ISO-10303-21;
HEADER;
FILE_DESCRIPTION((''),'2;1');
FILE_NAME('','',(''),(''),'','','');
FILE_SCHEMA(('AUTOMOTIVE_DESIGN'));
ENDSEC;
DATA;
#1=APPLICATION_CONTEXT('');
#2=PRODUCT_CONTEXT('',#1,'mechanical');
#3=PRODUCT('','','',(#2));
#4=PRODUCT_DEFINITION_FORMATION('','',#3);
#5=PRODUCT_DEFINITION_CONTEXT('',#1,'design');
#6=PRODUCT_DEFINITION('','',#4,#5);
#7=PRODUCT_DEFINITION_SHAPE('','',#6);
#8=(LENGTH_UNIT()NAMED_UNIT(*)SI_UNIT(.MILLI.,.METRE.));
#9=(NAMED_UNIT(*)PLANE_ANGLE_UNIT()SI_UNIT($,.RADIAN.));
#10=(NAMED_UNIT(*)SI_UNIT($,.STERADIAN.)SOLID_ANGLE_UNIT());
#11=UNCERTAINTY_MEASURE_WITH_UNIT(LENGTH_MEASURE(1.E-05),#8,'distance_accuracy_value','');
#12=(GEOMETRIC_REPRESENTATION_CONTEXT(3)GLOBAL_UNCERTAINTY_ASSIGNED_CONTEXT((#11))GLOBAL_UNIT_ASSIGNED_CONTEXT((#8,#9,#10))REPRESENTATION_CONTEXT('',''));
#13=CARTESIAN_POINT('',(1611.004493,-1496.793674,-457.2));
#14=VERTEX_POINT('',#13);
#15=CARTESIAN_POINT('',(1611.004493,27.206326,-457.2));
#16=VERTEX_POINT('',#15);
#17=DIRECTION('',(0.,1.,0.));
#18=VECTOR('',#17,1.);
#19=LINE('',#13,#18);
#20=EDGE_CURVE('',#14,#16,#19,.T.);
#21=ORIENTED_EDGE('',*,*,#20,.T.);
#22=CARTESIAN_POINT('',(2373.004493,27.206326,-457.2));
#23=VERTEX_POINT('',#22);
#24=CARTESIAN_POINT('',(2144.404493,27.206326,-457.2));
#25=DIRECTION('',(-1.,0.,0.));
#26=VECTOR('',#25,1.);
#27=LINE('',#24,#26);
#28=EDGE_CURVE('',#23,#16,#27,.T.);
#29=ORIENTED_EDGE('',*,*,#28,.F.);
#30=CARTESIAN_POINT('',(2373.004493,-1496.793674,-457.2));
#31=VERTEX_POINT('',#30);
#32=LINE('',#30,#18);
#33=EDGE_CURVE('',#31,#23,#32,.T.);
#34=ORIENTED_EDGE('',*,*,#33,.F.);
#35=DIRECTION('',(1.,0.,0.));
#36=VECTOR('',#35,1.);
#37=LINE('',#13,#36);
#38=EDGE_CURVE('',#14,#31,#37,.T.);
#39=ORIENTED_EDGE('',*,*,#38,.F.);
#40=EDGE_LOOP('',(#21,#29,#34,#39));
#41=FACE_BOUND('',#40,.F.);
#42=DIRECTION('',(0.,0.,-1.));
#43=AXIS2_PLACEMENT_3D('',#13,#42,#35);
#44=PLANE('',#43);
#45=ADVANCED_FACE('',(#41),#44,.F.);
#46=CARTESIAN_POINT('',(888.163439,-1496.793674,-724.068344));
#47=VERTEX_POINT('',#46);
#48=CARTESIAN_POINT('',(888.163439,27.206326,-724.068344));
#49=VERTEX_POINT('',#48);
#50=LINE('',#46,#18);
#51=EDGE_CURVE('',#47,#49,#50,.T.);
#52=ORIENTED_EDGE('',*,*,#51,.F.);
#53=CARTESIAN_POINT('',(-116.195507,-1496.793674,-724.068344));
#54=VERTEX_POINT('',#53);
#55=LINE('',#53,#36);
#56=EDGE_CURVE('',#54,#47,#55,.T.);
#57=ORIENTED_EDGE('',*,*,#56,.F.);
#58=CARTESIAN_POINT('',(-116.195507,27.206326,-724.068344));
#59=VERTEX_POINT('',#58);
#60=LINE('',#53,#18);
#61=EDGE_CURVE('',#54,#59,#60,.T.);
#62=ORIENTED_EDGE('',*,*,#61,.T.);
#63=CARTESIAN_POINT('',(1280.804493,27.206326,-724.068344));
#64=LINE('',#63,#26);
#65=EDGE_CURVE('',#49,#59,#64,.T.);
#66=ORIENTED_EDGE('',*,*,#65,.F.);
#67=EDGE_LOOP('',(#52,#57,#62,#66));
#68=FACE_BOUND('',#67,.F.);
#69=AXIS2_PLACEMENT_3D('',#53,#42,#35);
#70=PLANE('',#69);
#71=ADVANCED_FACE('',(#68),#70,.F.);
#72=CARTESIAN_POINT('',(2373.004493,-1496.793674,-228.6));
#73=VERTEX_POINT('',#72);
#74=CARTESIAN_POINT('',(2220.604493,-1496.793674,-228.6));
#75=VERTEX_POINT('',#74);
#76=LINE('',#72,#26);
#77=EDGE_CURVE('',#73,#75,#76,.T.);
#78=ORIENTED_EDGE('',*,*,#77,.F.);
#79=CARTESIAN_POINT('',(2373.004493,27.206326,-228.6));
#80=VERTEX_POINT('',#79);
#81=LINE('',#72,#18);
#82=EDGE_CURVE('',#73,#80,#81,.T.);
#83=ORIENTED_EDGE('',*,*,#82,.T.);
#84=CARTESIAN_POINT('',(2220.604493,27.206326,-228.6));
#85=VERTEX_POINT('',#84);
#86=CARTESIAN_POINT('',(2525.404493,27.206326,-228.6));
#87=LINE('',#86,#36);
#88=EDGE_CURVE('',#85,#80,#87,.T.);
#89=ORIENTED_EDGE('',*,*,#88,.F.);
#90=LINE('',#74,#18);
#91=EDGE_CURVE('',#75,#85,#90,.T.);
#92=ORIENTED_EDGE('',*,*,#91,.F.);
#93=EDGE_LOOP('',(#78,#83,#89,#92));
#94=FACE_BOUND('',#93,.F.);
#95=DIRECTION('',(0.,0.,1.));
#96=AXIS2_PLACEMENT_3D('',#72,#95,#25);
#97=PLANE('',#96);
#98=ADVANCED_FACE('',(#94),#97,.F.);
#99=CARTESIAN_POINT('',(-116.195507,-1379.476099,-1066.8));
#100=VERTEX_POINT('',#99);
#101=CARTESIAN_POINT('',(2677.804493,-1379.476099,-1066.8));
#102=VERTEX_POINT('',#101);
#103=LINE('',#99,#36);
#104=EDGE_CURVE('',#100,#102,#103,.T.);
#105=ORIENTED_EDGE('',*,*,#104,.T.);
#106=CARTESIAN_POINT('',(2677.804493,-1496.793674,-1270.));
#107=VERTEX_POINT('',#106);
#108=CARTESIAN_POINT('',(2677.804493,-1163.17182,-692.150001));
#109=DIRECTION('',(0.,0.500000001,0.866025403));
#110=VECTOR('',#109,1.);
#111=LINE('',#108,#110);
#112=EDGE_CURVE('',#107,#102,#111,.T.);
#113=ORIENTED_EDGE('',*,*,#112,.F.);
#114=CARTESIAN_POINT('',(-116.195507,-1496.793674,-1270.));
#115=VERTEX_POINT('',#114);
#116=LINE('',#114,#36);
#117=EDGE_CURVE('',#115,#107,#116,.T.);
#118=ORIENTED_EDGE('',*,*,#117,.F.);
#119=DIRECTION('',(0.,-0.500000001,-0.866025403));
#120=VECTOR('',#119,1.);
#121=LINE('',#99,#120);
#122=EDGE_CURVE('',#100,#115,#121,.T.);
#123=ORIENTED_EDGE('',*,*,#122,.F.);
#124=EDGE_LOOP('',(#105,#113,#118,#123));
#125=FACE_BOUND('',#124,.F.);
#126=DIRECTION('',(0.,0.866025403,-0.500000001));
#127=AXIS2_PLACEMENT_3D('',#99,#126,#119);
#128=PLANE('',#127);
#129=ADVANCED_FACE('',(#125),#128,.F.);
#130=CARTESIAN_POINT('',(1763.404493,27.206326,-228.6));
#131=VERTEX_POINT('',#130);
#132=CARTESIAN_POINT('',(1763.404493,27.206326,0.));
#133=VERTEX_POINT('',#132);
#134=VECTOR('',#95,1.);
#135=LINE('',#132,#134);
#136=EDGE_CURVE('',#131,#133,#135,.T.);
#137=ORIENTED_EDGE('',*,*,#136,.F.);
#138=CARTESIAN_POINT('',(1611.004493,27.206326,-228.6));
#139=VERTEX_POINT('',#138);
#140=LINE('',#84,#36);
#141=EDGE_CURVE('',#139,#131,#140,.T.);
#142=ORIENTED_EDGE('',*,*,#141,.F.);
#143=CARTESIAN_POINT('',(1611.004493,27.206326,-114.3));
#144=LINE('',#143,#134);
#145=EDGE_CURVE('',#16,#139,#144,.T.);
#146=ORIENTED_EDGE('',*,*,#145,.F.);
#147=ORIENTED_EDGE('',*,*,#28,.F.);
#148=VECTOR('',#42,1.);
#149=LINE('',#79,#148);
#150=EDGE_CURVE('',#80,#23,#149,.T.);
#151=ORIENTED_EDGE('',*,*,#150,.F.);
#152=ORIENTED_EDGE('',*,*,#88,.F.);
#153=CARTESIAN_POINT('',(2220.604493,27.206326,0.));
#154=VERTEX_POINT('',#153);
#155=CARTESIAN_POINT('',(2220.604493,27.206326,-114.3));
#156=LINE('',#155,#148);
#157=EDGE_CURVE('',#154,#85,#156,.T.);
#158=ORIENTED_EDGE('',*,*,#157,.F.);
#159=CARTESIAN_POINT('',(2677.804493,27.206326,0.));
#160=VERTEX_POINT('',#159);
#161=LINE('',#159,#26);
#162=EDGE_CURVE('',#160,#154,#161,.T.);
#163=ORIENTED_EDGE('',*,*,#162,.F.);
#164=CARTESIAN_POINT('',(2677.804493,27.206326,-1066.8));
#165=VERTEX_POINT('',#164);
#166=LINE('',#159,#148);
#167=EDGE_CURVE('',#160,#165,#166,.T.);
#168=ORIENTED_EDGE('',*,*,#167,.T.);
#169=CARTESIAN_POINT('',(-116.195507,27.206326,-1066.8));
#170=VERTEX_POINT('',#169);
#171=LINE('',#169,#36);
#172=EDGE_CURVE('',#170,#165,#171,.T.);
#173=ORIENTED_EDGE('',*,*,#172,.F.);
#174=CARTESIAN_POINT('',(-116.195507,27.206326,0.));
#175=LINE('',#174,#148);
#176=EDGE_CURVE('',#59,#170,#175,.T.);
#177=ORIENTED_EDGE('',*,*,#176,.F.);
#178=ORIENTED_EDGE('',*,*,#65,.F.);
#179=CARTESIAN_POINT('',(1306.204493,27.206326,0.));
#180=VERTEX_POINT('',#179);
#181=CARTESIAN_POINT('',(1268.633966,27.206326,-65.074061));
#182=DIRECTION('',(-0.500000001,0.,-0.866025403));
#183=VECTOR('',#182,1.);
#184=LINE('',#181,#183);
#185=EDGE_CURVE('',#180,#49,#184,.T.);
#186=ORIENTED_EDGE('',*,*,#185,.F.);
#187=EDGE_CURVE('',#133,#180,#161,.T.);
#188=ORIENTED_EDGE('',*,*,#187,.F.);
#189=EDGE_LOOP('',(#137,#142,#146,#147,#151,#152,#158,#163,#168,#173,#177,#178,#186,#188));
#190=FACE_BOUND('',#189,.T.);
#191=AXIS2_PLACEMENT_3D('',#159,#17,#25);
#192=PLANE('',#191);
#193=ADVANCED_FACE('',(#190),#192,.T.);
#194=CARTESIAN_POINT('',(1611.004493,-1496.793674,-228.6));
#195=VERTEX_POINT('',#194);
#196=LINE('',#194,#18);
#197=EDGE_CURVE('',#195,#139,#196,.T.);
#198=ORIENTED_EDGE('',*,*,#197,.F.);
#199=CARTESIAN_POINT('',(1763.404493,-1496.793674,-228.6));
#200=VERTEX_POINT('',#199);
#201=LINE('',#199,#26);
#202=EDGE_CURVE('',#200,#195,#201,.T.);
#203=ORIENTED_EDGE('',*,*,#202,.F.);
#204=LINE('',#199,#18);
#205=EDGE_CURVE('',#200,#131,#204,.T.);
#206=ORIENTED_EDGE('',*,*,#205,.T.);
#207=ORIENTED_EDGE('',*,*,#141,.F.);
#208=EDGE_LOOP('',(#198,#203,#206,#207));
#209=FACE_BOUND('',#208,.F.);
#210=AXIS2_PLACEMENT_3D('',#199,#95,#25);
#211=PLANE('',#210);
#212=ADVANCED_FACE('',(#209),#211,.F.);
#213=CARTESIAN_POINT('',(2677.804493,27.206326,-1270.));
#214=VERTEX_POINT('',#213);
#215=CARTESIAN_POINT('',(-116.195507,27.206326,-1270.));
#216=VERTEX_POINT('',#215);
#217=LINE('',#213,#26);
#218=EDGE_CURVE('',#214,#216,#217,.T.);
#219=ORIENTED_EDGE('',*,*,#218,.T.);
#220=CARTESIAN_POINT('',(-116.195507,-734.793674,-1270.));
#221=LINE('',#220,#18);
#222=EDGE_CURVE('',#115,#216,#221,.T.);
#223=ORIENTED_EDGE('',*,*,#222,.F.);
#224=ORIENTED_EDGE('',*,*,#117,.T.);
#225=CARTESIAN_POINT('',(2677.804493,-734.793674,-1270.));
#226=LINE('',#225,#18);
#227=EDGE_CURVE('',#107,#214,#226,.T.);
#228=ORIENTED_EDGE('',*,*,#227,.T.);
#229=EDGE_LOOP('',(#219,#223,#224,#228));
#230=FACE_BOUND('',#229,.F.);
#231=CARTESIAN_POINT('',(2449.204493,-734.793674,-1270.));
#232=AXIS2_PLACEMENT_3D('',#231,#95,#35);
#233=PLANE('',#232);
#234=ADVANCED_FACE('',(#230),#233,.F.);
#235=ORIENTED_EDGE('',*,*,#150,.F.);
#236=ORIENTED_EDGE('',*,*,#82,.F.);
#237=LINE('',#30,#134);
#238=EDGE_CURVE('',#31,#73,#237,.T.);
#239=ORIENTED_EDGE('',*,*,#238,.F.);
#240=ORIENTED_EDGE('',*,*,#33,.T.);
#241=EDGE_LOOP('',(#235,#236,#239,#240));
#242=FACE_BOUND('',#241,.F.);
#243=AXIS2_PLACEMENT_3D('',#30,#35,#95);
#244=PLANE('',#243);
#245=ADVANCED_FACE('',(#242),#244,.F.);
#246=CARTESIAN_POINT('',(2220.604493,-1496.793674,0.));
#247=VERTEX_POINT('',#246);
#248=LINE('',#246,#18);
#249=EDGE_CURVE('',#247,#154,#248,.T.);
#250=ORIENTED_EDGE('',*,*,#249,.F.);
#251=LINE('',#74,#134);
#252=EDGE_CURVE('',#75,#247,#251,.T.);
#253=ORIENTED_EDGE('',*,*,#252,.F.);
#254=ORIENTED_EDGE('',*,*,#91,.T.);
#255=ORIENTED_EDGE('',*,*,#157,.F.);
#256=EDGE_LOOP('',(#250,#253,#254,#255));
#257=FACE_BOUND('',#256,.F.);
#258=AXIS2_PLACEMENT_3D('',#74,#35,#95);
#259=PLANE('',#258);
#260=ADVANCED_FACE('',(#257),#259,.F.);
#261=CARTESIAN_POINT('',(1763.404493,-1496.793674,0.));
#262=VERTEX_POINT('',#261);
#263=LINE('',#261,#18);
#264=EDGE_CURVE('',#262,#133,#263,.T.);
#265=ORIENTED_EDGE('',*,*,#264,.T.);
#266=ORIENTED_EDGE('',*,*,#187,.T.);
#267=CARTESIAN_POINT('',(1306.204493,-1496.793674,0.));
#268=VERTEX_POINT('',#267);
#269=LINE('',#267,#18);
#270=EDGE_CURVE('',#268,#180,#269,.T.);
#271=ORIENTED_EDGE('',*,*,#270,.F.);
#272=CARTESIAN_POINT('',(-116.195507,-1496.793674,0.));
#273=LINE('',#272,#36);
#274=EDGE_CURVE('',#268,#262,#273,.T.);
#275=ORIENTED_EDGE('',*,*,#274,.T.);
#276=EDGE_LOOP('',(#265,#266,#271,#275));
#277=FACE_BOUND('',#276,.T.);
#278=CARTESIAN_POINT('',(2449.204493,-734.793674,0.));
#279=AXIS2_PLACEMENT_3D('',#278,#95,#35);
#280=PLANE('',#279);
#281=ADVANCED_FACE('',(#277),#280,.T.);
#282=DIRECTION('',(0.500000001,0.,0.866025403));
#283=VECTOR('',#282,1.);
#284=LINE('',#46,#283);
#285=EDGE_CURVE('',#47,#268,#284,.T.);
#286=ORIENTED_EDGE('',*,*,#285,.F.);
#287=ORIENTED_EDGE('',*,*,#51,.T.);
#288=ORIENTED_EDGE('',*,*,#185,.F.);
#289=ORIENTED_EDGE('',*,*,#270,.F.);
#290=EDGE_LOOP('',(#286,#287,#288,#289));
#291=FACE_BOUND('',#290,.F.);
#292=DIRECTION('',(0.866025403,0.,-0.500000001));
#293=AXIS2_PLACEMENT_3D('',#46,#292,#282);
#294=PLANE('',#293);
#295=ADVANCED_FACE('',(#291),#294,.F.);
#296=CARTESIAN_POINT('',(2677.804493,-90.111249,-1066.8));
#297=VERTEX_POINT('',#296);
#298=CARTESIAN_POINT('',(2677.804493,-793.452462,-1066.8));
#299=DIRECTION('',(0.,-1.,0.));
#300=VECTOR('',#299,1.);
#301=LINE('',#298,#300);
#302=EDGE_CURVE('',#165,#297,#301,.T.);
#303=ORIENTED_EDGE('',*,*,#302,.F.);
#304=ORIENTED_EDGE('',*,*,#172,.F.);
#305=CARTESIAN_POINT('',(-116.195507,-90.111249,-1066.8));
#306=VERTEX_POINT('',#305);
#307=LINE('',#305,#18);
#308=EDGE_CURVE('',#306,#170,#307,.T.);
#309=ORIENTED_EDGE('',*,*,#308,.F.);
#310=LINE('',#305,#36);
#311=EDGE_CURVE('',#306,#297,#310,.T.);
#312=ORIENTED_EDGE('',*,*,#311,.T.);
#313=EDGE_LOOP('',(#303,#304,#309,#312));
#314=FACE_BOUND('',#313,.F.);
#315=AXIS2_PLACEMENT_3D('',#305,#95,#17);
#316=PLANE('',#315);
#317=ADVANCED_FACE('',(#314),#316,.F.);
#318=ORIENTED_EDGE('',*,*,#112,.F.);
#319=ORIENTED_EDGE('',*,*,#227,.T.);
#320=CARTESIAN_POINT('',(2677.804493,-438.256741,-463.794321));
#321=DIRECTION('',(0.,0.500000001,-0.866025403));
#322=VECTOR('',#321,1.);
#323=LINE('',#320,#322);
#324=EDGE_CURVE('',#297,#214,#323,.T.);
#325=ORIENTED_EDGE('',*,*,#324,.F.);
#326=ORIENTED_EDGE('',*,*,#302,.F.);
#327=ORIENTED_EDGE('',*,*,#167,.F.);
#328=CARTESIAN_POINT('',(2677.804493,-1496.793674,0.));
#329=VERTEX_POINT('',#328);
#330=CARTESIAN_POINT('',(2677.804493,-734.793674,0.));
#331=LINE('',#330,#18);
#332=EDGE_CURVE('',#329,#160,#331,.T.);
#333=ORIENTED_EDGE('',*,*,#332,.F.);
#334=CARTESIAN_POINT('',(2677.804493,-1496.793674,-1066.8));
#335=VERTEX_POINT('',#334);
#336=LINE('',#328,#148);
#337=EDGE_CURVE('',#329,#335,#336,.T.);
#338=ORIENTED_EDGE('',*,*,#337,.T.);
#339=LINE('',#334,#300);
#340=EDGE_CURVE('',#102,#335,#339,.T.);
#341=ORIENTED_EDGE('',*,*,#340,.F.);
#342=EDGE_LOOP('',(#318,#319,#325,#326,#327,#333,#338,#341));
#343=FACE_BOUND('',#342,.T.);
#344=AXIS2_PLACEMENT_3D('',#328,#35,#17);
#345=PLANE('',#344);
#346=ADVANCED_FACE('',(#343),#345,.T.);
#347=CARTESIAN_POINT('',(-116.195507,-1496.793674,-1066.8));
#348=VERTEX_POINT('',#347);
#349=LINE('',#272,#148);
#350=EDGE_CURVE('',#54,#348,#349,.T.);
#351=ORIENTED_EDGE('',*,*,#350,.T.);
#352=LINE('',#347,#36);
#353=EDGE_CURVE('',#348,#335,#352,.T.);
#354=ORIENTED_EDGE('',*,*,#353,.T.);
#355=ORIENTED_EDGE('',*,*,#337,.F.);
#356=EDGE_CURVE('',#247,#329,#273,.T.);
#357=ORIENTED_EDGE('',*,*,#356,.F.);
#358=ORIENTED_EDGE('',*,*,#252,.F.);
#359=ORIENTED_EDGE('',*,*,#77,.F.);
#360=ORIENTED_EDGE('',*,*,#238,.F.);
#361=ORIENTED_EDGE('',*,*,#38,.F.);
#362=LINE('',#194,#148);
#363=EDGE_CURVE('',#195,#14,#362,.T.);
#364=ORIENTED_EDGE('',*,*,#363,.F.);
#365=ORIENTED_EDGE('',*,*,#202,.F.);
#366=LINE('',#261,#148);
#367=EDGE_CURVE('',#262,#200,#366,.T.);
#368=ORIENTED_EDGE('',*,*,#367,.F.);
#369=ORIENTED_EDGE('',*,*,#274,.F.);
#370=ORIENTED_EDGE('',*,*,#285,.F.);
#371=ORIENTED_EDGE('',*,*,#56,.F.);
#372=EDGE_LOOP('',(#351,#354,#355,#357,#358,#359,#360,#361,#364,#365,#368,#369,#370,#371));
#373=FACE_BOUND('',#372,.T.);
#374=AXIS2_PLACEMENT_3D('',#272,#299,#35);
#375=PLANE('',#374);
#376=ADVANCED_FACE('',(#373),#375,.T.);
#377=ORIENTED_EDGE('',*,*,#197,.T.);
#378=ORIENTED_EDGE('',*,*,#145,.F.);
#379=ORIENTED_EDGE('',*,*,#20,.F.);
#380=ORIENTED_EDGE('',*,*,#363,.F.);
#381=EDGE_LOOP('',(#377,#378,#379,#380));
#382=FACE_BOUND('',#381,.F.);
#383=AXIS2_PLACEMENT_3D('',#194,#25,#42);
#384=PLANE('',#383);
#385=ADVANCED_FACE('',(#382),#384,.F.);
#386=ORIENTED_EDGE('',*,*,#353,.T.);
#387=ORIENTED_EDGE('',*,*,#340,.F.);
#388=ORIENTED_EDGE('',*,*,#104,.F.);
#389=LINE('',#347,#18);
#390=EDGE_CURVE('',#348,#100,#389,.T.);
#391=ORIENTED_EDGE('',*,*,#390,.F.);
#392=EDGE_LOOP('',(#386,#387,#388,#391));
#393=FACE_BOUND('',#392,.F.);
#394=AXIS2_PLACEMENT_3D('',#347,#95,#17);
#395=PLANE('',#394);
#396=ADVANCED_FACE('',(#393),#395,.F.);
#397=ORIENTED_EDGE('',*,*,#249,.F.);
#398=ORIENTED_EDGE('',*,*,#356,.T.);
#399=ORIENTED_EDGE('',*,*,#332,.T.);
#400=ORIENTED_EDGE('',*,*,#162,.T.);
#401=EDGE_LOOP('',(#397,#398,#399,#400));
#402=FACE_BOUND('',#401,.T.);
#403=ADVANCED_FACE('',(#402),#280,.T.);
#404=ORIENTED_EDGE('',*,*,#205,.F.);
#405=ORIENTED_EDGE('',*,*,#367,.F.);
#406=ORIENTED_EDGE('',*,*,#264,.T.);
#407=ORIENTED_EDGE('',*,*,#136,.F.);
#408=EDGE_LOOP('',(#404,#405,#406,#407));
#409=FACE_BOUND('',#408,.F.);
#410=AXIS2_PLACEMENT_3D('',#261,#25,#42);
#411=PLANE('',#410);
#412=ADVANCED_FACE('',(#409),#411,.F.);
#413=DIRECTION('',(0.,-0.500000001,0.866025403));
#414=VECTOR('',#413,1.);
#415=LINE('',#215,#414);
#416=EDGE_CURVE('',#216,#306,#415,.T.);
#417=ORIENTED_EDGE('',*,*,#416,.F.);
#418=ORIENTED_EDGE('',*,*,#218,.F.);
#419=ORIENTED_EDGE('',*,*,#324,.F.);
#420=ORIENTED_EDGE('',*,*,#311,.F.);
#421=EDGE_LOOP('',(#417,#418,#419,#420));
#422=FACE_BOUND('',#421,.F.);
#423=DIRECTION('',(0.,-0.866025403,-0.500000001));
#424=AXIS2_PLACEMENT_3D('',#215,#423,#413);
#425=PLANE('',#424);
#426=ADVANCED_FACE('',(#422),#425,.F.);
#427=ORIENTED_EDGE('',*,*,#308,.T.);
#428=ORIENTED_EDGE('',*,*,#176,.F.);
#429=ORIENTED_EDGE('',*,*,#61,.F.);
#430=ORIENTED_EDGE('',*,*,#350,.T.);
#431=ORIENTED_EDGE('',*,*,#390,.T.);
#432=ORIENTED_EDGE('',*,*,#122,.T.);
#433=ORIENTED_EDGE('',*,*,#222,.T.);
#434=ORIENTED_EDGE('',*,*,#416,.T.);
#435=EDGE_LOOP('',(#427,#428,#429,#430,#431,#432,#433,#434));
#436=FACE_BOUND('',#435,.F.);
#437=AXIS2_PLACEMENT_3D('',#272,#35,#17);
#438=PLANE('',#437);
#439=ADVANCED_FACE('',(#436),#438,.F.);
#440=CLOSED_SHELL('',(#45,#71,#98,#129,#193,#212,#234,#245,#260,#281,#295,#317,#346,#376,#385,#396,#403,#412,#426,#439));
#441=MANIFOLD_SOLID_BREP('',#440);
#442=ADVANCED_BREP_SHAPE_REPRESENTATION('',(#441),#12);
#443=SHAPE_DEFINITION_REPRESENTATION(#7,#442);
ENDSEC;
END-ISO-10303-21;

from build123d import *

# Parameters (mm, degrees)
F0_W     = 457.2
F0_H     = 1524
F0_W_2   = 1422.4
F1_DEPTH = 1270
F3_DEPTH = 1524.001
F5_DEPTH = 2794.001
F6_DEPTH = 2794.001
F8_DEPTH = 1524.001


with BuildPart() as f1:
    # F0 (on Top) → F1 (new body)
    with BuildSketch(Plane.XY):
        with Locations((2449.204493, -734.793674)):
            Rectangle(F0_W, F0_H)
        with Locations((1992.004493, -734.793674)):
            Rectangle(F0_W, F0_H)
        with Locations((1534.804493, -734.793674)):
            Rectangle(F0_W, F0_H)
        with Locations((595.004493, -734.793674)):
            Rectangle(F0_W_2, F0_H)
    extrude(amount=-F1_DEPTH)

    # F2 (on face) → F3 (cut, through all)
    with BuildSketch(Plane.XZ.offset(1496.793674)):
        Polygon((2220.604493, -228.6), (2220.604493, 0), (1763.404493, 0), (1763.404493, -228.6), (1611.004493, -228.6), (1611.004493, -457.2), (2373.004493, -457.2), (2373.004493, -228.6), align=None)
    extrude(amount=-F3_DEPTH, mode=Mode.SUBTRACT)

    # F4 (on face) → F5 (cut, through all)
    with BuildSketch(Plane(origin=(-116.195507, 0, 0), x_dir=(0, -1, 0), z_dir=(-1, 0, 0))):
        Polygon((-27.206326, -1066.8), (-27.206326, -1270), (90.111249, -1066.8), align=None)
    extrude(amount=-F5_DEPTH, mode=Mode.SUBTRACT)

    # F4 (on face) → F6 (cut, through all)
    with BuildSketch(Plane(origin=(-116.195507, 0, 0), x_dir=(0, -1, 0), z_dir=(-1, 0, 0))):
        Polygon((1379.476099, -1066.8), (1496.793674, -1270), (1496.793674, -1066.8), align=None)
    extrude(amount=-F6_DEPTH, mode=Mode.SUBTRACT)

    # F7 (on face) → F8 (cut, through all)
    with BuildSketch(Plane.XZ.offset(1496.793674)):
        Polygon((888.163439, -724.068344), (1306.204493, 0), (-116.195507, 0), (-116.195507, -724.068344), align=None)
    extrude(amount=-F8_DEPTH, mode=Mode.SUBTRACT)


solid = f1.part
